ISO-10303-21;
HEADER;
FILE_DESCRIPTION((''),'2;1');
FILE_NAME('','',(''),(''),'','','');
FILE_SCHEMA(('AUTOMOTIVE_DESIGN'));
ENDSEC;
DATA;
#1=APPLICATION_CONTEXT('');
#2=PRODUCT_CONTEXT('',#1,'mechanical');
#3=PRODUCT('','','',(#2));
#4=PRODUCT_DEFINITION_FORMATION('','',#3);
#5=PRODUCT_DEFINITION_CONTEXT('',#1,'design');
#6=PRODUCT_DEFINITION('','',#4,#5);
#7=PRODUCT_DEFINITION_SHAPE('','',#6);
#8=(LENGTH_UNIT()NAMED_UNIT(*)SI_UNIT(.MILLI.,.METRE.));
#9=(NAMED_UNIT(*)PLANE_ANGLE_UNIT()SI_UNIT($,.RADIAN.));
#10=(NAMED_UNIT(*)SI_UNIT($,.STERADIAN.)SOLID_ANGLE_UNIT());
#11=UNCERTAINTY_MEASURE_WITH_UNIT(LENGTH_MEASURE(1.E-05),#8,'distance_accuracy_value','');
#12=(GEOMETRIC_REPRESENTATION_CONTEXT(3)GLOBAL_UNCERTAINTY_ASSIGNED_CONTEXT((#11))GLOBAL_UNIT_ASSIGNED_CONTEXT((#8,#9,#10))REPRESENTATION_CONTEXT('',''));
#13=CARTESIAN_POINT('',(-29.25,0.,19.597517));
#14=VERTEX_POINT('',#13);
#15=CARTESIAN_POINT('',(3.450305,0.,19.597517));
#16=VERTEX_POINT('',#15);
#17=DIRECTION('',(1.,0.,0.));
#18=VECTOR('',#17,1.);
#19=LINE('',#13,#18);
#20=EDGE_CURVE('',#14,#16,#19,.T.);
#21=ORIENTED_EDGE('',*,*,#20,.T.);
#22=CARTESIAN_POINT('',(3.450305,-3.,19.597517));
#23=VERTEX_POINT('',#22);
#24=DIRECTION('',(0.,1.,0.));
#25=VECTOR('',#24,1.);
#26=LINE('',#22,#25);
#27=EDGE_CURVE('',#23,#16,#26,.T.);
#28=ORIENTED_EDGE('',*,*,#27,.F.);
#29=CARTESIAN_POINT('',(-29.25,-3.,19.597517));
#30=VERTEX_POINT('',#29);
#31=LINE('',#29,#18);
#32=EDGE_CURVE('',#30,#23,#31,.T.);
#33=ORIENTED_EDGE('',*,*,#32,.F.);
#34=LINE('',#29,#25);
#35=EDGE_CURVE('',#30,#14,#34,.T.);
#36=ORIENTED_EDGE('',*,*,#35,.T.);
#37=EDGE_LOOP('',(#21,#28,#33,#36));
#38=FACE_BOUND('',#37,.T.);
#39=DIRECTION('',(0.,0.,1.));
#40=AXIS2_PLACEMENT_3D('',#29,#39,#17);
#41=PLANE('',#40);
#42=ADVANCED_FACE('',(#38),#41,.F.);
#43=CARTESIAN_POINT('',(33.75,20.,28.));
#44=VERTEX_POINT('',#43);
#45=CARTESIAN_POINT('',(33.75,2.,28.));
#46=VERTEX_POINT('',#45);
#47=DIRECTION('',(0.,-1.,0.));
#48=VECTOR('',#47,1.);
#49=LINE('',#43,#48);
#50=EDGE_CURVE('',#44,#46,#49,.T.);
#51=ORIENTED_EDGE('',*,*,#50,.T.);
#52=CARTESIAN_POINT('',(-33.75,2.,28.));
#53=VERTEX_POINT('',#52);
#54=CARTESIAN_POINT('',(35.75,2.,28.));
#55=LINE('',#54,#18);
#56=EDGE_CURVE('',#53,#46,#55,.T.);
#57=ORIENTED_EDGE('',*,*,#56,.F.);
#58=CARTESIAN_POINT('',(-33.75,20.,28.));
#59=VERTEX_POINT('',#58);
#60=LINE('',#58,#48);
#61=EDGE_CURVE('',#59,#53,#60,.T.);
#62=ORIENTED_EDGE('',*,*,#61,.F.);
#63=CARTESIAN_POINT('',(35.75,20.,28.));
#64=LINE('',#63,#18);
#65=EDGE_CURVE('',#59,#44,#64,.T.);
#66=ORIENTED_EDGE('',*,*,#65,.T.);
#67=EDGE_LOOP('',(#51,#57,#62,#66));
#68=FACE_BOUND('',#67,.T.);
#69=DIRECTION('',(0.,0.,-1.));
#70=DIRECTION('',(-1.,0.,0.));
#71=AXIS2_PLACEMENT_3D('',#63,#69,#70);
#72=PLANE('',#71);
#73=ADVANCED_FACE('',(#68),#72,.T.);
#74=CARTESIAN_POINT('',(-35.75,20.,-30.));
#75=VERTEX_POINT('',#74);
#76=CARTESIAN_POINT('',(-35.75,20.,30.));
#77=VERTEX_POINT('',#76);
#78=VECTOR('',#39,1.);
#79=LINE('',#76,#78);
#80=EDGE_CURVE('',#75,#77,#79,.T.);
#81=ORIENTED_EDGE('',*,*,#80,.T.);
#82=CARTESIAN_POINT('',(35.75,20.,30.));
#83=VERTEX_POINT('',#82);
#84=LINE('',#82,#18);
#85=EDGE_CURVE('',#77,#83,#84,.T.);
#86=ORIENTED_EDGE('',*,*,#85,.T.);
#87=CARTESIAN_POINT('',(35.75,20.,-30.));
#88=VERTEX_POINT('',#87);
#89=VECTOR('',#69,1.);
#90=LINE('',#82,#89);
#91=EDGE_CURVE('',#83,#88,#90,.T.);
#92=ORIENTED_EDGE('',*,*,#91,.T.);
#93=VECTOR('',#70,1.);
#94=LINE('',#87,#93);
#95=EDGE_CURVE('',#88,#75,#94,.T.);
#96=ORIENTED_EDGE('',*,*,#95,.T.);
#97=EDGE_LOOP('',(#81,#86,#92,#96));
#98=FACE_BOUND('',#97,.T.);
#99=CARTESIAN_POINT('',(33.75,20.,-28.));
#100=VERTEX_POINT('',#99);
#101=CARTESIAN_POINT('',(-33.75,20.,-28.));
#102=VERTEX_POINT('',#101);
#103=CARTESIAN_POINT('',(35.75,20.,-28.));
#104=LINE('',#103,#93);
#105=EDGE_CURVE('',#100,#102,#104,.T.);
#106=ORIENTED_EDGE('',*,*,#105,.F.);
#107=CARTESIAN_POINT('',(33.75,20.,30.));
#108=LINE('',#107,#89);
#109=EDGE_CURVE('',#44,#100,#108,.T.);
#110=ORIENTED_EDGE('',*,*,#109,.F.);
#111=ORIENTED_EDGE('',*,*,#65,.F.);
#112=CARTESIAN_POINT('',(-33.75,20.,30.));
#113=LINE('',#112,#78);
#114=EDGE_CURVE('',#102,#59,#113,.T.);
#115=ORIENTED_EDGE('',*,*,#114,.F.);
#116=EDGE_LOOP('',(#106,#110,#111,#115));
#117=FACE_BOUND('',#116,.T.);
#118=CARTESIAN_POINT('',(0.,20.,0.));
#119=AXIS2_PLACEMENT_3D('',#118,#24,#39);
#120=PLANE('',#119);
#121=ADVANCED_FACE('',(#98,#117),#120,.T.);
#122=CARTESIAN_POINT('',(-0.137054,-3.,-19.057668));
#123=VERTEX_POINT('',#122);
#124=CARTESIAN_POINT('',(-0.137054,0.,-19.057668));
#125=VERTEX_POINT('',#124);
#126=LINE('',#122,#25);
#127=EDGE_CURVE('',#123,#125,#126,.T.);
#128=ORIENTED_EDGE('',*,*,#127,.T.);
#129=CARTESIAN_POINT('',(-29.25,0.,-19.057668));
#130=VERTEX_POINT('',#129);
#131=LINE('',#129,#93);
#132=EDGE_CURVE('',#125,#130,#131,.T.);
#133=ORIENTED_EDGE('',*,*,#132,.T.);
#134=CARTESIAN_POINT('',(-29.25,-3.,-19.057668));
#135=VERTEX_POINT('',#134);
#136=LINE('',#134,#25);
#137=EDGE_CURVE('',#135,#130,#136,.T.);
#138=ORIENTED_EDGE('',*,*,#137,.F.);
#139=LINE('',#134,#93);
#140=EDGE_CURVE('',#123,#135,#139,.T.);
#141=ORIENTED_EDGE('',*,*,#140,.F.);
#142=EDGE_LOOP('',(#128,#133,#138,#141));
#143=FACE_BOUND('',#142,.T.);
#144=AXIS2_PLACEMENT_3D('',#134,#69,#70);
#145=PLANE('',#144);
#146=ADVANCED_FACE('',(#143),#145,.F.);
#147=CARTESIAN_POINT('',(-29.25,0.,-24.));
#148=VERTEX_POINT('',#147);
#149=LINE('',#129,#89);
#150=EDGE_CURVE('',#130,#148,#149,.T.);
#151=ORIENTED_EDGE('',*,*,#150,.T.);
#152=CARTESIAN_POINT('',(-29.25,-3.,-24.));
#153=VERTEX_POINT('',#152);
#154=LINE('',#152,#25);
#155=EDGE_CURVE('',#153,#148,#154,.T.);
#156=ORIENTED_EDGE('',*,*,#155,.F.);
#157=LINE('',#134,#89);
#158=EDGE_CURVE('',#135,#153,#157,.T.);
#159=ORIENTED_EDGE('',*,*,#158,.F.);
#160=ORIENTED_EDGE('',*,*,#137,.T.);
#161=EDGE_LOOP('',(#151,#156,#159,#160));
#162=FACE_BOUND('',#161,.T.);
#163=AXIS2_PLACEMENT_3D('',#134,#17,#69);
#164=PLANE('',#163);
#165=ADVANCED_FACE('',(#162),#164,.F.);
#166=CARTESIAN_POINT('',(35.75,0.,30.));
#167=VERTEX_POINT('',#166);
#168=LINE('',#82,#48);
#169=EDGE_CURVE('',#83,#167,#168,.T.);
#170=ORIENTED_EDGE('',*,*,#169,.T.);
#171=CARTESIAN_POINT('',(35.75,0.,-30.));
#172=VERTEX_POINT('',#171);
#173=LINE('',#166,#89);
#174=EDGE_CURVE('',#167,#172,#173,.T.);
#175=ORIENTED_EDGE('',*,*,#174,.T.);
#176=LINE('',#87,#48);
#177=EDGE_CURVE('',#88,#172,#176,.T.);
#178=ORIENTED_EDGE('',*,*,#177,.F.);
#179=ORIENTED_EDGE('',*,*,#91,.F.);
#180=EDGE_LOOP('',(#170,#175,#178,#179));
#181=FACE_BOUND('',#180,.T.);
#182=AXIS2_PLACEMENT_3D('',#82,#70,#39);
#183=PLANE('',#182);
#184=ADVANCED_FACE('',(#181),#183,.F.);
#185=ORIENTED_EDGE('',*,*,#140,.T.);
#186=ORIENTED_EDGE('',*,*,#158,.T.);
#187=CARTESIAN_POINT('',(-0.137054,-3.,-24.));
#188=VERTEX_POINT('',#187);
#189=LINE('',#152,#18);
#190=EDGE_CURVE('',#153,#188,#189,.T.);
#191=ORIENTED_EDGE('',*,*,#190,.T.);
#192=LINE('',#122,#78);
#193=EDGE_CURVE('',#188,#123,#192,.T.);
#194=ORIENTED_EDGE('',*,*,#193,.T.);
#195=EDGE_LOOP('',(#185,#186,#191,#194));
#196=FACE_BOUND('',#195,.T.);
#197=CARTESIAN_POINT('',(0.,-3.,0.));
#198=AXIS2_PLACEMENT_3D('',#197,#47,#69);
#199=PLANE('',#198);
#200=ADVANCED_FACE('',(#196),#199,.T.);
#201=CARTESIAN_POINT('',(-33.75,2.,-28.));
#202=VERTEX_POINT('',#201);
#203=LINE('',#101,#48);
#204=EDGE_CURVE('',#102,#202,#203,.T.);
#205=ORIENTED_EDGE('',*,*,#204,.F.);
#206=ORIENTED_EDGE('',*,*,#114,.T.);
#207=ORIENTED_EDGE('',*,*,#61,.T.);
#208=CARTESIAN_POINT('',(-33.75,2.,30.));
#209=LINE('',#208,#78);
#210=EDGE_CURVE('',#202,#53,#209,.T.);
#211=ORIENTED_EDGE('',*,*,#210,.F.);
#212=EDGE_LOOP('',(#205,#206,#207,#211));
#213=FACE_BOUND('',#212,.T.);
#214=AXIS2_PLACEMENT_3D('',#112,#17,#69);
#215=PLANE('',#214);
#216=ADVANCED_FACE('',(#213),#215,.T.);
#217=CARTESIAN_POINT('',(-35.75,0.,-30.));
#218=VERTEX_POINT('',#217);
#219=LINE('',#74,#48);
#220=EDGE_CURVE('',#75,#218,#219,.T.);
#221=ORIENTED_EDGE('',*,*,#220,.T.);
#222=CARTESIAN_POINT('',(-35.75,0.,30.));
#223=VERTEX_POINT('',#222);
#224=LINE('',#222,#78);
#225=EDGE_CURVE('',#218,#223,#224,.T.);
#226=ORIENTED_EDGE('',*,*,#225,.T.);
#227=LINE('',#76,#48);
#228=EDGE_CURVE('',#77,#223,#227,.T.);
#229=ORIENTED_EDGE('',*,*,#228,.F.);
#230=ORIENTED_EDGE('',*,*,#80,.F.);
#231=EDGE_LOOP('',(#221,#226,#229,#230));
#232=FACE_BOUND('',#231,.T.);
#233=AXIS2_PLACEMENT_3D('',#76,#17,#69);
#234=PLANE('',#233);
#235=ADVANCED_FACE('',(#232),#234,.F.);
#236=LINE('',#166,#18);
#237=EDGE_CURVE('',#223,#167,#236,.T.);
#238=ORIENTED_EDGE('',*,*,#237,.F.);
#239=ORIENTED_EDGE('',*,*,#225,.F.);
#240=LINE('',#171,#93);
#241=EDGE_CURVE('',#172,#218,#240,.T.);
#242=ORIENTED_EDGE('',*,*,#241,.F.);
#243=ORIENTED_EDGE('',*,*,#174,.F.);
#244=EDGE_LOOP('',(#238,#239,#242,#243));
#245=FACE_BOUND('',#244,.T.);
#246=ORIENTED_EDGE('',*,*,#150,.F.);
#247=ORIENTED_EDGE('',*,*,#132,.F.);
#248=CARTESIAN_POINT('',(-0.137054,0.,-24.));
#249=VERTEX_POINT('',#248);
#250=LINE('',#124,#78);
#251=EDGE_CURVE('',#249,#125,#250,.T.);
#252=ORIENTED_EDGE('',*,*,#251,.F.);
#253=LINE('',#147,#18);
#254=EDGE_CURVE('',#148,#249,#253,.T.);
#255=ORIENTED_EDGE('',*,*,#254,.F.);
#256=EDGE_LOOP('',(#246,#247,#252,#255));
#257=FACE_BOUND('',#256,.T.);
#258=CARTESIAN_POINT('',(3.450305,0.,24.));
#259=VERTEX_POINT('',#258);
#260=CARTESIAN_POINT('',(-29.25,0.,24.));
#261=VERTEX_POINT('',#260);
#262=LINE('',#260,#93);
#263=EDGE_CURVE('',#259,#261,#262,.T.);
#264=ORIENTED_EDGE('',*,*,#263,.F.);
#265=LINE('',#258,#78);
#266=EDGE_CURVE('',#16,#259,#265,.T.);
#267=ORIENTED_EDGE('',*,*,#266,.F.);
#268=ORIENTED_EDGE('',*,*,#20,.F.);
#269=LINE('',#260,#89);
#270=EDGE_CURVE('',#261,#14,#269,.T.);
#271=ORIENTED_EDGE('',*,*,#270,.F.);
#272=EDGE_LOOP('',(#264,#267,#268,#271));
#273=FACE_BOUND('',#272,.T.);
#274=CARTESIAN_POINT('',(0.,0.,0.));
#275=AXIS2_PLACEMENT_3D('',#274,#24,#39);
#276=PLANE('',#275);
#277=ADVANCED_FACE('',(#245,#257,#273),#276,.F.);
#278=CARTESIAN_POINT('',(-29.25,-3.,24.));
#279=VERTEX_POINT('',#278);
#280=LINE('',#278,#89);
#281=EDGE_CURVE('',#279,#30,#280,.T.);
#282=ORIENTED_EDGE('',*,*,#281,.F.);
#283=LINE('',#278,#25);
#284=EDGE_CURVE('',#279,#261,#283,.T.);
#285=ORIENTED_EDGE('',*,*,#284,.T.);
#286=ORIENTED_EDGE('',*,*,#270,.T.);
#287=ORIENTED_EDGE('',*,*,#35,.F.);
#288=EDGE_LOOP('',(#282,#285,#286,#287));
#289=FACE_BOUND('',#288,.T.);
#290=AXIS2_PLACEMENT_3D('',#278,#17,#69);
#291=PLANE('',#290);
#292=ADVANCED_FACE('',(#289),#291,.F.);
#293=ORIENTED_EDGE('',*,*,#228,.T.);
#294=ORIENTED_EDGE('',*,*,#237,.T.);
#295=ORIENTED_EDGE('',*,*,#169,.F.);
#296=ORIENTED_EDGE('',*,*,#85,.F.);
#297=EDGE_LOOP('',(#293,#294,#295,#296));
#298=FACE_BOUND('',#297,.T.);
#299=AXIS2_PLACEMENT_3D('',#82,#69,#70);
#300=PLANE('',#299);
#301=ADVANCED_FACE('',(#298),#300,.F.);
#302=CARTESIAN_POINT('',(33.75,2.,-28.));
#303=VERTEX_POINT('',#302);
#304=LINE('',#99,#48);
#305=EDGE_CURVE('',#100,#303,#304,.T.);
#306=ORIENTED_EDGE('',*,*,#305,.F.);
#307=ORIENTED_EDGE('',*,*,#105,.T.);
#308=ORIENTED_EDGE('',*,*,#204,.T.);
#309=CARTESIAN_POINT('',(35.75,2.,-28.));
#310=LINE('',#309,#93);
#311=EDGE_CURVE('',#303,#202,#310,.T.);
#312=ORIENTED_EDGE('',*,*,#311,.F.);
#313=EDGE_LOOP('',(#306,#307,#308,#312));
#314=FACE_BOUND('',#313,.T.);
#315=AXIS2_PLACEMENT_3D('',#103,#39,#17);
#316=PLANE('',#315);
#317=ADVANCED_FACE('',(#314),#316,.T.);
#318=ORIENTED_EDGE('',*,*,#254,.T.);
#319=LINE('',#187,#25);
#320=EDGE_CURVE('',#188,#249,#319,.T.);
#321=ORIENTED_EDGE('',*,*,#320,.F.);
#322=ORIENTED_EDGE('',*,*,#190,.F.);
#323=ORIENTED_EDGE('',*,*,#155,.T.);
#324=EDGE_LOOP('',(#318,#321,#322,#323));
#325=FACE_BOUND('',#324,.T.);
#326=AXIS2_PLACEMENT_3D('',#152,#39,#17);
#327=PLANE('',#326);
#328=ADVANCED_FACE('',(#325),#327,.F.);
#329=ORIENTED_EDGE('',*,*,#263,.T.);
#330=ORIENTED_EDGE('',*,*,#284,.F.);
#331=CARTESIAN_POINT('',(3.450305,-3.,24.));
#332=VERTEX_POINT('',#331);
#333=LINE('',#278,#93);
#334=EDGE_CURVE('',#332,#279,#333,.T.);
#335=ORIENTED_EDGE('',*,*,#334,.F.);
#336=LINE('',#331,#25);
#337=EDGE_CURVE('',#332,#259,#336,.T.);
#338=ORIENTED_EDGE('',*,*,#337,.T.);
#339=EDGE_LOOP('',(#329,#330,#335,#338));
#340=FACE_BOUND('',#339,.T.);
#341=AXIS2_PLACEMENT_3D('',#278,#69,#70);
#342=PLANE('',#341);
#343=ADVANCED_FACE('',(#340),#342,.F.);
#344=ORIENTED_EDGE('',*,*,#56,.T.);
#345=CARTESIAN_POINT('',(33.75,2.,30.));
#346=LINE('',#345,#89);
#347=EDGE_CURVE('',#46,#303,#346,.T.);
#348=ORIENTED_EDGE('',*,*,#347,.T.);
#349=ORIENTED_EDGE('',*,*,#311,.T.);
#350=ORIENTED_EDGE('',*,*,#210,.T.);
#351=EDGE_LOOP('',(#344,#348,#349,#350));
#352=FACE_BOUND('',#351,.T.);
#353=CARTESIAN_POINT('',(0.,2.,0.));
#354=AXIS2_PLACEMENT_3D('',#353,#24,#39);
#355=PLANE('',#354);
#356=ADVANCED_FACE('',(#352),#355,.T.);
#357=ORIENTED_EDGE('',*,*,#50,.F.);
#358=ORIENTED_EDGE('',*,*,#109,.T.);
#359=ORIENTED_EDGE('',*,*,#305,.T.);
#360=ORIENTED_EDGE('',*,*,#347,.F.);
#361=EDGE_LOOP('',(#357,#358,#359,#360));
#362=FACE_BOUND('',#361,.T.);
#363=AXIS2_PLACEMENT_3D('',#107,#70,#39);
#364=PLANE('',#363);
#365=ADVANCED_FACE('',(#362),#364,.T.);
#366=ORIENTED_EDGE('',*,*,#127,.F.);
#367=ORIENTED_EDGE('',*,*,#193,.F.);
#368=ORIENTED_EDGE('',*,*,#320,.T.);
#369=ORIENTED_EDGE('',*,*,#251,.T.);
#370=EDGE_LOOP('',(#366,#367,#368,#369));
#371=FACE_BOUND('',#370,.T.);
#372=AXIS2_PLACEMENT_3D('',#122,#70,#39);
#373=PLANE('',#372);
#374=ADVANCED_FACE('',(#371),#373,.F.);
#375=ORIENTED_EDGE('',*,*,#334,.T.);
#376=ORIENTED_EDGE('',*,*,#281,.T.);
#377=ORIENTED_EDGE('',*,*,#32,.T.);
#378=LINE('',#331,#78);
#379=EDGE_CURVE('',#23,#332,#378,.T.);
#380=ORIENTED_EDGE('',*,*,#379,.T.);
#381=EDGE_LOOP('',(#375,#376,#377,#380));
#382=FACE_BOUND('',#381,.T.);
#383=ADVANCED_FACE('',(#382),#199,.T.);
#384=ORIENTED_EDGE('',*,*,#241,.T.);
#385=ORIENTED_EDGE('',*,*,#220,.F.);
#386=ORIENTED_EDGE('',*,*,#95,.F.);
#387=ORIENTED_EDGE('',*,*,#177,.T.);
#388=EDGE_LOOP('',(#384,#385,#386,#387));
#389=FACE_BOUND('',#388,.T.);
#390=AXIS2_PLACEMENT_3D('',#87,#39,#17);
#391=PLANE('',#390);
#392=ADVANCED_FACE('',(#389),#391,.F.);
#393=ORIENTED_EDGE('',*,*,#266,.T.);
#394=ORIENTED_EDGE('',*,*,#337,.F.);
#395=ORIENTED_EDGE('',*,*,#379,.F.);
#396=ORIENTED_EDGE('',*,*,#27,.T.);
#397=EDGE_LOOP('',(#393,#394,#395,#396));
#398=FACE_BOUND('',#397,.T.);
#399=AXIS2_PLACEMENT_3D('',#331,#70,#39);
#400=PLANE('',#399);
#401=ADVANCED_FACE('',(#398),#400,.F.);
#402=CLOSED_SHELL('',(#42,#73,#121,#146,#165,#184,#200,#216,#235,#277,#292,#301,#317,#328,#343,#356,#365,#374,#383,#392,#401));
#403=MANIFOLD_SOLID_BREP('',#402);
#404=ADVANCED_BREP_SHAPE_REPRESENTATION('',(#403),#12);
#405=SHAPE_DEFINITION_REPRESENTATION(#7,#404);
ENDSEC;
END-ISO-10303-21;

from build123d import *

# Parameters (mm, degrees)
CROQUIS1_W              = 71.5
CROQUIS1_H              = 60
SALIENTE_EXTRUIR1_DEPTH = 20
VACIADO1_T              = -2
CROQUIS3_W              = 32.700305435
CROQUIS3_H              = 4.402483211
CROQUIS3_W_2            = 29.112946205
CROQUIS3_H_2            = 4.942332104
SALIENTE_EXTRUIR2_DEPTH = 3


with BuildPart() as part:
    # Croquis1 → Saliente-Extruir1 (new body)
    with BuildSketch(Plane(origin=(0, 0, 0), x_dir=(1, 0, 0), z_dir=(0, 1, 0))):
        Rectangle(CROQUIS1_W, CROQUIS1_H)
    extrude(amount=SALIENTE_EXTRUIR1_DEPTH)

    # Vaciado1
    vaciado1_openings = [part.faces().sort_by_distance(p)[0] for p in [
        (0, 20, 0),
    ]]
    offset(amount=VACIADO1_T, openings=vaciado1_openings, kind=Kind.INTERSECTION)

    # Croquis3 → Saliente-Extruir2 (add)
    with BuildSketch(Plane.XZ):
        with Locations((-12.899847283, 21.798758394)):
            Rectangle(CROQUIS3_W, CROQUIS3_H)
        with Locations((-14.693526898, -21.528833948)):
            Rectangle(CROQUIS3_W_2, CROQUIS3_H_2)
    extrude(amount=SALIENTE_EXTRUIR2_DEPTH)


solid = part.part
